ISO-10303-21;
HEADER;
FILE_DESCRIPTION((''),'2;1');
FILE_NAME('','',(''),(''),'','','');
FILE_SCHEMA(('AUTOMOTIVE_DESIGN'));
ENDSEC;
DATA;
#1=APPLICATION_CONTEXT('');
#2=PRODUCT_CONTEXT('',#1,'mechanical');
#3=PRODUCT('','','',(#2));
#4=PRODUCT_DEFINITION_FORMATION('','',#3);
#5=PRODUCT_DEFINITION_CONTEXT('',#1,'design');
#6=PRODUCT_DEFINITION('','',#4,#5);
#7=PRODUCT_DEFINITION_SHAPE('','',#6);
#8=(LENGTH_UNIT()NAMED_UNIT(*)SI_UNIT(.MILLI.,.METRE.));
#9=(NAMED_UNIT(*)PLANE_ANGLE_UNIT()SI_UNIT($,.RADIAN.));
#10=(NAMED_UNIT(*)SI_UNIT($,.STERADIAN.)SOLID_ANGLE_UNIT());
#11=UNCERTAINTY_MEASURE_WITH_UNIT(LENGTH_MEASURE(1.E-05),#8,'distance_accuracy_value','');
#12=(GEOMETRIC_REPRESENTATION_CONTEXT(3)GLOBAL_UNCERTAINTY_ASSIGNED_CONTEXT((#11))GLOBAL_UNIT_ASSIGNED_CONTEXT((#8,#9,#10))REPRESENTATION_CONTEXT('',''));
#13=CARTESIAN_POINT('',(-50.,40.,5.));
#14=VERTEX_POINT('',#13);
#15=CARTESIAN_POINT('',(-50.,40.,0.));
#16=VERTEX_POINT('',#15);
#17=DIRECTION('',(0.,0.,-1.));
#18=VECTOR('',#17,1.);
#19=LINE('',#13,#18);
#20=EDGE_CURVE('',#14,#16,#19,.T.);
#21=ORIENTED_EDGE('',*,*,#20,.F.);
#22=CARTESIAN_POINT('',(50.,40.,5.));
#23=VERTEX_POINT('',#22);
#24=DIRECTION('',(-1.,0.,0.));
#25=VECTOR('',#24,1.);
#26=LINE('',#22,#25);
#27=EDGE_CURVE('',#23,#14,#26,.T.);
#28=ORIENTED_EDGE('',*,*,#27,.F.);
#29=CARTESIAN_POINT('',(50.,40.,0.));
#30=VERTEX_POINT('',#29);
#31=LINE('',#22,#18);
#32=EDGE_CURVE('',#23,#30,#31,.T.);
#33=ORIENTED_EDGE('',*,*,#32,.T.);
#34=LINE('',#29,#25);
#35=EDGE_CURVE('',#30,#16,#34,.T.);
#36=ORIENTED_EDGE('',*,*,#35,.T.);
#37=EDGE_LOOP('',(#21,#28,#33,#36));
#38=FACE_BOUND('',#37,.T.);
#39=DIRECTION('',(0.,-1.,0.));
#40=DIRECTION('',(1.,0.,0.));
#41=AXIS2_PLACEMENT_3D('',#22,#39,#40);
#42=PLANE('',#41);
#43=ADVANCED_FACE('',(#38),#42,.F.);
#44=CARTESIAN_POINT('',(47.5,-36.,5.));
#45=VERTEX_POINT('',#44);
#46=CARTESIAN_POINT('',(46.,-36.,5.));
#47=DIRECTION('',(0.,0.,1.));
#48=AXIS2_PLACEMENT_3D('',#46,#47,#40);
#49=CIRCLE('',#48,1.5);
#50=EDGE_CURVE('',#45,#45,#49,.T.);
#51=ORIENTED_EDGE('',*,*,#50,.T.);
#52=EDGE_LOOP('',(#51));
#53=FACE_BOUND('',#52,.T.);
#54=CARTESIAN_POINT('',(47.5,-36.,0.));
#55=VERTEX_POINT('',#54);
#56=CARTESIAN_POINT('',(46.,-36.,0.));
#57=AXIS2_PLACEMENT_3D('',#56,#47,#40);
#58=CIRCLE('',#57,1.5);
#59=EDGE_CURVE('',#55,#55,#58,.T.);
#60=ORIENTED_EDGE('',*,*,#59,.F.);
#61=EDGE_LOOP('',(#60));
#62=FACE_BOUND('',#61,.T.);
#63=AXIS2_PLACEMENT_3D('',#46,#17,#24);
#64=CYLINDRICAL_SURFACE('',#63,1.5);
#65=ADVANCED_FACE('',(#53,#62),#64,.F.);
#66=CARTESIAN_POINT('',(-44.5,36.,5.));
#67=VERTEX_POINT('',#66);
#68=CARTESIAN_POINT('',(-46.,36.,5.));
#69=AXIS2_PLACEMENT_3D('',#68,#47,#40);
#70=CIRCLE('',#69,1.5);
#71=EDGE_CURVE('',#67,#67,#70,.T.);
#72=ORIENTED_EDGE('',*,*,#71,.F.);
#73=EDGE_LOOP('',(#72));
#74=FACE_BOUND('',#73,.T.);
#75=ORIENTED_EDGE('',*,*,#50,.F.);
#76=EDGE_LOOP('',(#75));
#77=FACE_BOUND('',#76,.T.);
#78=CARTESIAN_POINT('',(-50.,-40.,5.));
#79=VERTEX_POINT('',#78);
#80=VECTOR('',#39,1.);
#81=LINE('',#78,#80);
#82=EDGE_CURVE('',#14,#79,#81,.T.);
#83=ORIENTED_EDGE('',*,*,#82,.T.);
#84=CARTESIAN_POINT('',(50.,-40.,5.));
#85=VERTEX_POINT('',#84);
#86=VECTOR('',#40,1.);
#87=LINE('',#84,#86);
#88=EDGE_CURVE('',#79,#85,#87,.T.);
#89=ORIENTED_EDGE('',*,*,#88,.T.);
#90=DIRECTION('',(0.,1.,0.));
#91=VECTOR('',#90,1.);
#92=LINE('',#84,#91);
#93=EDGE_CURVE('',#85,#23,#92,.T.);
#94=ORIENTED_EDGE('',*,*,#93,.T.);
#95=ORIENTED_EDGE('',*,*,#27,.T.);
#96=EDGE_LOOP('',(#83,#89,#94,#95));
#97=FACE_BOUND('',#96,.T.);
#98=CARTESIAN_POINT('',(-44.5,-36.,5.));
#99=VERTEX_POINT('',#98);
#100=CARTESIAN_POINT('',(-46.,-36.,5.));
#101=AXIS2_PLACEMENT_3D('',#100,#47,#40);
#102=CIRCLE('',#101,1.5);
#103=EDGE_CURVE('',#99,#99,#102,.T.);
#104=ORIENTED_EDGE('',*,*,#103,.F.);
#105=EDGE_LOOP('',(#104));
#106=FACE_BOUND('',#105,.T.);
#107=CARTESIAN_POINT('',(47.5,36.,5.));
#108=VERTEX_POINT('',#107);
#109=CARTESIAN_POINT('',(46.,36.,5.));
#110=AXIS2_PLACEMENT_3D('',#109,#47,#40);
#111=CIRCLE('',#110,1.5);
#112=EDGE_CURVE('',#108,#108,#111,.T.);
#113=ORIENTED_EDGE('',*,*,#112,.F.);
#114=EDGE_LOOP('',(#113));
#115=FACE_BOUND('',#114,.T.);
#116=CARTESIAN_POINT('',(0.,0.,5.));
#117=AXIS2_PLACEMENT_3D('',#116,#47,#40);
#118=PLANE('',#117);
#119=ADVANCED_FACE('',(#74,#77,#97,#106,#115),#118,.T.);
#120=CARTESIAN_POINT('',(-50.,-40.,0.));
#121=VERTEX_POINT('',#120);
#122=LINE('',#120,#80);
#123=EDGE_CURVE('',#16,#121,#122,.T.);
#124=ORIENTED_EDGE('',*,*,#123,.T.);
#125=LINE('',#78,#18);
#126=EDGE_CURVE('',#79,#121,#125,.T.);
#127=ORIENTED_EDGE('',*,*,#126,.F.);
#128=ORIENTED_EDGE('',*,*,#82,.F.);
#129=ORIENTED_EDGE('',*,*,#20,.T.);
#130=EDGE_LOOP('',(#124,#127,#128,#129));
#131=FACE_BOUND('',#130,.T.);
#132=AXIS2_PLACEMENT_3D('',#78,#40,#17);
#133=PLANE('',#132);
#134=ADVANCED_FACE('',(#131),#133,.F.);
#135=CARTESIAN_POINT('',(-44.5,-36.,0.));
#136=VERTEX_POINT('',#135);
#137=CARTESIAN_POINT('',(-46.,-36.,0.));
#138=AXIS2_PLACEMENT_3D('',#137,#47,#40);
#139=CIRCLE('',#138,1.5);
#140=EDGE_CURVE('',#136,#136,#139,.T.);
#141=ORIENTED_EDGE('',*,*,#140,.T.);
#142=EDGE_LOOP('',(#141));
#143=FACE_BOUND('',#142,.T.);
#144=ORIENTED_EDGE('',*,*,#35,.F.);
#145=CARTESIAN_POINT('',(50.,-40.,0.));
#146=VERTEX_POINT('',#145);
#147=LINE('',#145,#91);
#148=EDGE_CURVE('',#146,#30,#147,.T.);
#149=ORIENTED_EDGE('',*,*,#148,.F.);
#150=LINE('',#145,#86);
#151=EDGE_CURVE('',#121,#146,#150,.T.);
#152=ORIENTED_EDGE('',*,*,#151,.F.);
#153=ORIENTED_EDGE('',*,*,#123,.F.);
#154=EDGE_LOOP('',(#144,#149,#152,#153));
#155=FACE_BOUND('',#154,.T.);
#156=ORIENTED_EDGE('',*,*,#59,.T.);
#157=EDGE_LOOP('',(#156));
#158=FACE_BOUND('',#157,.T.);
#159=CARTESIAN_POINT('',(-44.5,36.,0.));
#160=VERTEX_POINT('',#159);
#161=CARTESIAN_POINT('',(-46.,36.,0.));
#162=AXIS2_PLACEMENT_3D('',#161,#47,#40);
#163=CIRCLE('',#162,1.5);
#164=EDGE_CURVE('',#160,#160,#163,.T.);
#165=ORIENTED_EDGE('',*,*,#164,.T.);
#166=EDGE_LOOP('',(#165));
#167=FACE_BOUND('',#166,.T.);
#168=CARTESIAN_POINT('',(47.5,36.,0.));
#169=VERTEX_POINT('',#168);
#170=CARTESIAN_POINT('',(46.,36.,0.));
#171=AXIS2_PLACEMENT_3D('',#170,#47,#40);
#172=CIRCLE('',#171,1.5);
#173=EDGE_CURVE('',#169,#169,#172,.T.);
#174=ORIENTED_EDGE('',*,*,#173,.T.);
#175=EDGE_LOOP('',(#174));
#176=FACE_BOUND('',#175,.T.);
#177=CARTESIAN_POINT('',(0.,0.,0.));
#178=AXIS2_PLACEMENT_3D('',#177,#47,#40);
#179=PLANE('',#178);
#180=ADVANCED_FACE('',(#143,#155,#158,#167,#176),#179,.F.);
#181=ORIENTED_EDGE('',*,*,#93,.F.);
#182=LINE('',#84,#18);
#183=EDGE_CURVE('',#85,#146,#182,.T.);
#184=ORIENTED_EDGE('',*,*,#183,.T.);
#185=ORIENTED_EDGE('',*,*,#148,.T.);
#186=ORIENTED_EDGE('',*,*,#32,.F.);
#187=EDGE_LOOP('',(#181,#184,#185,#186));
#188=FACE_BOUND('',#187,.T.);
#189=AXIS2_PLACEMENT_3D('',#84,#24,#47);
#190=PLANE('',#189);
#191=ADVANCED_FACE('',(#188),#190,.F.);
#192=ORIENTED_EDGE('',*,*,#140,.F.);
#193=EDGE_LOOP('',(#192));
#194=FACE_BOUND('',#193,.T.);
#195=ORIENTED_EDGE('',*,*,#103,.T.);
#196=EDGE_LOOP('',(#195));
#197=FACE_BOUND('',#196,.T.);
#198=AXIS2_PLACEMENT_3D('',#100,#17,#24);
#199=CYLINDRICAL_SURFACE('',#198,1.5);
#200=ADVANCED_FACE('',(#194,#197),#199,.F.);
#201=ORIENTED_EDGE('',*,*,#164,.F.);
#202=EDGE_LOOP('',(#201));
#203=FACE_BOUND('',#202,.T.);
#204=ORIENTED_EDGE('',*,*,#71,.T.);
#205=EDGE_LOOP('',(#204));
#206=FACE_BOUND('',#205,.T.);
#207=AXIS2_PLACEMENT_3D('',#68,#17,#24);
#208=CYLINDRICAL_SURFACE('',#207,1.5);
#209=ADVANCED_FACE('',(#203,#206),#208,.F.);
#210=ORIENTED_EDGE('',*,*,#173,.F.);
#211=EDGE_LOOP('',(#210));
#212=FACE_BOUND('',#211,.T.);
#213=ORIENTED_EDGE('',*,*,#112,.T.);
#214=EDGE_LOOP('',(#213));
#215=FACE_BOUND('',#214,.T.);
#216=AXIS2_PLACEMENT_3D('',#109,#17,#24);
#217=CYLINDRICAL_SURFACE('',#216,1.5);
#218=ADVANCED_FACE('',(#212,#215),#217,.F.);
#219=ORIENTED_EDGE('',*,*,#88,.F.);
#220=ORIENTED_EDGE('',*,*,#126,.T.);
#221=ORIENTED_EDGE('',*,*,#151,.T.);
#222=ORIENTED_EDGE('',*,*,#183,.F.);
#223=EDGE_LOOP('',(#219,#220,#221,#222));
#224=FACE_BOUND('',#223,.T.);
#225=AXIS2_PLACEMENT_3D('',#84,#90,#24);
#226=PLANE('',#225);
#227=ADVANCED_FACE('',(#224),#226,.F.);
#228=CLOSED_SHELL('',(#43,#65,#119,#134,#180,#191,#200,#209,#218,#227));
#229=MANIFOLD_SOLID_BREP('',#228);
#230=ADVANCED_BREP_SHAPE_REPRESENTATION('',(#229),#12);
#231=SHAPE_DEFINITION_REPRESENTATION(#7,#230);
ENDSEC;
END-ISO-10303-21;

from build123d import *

# Parameters (mm, degrees)
ESQUISSE1_W        = 100
ESQUISSE1_H        = 80
ESQUISSE1_R        = 1.5
BOSS_EXTRU_1_DEPTH = 5


with BuildPart() as part:
    # Esquisse1 → Boss.-Extru.1 (new body)
    with BuildSketch(Plane.XY):
        Rectangle(ESQUISSE1_W, ESQUISSE1_H)
        with Locations((-46, 36)):
            Circle(ESQUISSE1_R, mode=Mode.SUBTRACT)
        with Locations((46, 36)):
            Circle(ESQUISSE1_R, mode=Mode.SUBTRACT)
        with Locations((46, -36)):
            Circle(ESQUISSE1_R, mode=Mode.SUBTRACT)
        with Locations((-46, -36)):
            Circle(ESQUISSE1_R, mode=Mode.SUBTRACT)
    extrude(amount=BOSS_EXTRU_1_DEPTH)


solid = part.part
